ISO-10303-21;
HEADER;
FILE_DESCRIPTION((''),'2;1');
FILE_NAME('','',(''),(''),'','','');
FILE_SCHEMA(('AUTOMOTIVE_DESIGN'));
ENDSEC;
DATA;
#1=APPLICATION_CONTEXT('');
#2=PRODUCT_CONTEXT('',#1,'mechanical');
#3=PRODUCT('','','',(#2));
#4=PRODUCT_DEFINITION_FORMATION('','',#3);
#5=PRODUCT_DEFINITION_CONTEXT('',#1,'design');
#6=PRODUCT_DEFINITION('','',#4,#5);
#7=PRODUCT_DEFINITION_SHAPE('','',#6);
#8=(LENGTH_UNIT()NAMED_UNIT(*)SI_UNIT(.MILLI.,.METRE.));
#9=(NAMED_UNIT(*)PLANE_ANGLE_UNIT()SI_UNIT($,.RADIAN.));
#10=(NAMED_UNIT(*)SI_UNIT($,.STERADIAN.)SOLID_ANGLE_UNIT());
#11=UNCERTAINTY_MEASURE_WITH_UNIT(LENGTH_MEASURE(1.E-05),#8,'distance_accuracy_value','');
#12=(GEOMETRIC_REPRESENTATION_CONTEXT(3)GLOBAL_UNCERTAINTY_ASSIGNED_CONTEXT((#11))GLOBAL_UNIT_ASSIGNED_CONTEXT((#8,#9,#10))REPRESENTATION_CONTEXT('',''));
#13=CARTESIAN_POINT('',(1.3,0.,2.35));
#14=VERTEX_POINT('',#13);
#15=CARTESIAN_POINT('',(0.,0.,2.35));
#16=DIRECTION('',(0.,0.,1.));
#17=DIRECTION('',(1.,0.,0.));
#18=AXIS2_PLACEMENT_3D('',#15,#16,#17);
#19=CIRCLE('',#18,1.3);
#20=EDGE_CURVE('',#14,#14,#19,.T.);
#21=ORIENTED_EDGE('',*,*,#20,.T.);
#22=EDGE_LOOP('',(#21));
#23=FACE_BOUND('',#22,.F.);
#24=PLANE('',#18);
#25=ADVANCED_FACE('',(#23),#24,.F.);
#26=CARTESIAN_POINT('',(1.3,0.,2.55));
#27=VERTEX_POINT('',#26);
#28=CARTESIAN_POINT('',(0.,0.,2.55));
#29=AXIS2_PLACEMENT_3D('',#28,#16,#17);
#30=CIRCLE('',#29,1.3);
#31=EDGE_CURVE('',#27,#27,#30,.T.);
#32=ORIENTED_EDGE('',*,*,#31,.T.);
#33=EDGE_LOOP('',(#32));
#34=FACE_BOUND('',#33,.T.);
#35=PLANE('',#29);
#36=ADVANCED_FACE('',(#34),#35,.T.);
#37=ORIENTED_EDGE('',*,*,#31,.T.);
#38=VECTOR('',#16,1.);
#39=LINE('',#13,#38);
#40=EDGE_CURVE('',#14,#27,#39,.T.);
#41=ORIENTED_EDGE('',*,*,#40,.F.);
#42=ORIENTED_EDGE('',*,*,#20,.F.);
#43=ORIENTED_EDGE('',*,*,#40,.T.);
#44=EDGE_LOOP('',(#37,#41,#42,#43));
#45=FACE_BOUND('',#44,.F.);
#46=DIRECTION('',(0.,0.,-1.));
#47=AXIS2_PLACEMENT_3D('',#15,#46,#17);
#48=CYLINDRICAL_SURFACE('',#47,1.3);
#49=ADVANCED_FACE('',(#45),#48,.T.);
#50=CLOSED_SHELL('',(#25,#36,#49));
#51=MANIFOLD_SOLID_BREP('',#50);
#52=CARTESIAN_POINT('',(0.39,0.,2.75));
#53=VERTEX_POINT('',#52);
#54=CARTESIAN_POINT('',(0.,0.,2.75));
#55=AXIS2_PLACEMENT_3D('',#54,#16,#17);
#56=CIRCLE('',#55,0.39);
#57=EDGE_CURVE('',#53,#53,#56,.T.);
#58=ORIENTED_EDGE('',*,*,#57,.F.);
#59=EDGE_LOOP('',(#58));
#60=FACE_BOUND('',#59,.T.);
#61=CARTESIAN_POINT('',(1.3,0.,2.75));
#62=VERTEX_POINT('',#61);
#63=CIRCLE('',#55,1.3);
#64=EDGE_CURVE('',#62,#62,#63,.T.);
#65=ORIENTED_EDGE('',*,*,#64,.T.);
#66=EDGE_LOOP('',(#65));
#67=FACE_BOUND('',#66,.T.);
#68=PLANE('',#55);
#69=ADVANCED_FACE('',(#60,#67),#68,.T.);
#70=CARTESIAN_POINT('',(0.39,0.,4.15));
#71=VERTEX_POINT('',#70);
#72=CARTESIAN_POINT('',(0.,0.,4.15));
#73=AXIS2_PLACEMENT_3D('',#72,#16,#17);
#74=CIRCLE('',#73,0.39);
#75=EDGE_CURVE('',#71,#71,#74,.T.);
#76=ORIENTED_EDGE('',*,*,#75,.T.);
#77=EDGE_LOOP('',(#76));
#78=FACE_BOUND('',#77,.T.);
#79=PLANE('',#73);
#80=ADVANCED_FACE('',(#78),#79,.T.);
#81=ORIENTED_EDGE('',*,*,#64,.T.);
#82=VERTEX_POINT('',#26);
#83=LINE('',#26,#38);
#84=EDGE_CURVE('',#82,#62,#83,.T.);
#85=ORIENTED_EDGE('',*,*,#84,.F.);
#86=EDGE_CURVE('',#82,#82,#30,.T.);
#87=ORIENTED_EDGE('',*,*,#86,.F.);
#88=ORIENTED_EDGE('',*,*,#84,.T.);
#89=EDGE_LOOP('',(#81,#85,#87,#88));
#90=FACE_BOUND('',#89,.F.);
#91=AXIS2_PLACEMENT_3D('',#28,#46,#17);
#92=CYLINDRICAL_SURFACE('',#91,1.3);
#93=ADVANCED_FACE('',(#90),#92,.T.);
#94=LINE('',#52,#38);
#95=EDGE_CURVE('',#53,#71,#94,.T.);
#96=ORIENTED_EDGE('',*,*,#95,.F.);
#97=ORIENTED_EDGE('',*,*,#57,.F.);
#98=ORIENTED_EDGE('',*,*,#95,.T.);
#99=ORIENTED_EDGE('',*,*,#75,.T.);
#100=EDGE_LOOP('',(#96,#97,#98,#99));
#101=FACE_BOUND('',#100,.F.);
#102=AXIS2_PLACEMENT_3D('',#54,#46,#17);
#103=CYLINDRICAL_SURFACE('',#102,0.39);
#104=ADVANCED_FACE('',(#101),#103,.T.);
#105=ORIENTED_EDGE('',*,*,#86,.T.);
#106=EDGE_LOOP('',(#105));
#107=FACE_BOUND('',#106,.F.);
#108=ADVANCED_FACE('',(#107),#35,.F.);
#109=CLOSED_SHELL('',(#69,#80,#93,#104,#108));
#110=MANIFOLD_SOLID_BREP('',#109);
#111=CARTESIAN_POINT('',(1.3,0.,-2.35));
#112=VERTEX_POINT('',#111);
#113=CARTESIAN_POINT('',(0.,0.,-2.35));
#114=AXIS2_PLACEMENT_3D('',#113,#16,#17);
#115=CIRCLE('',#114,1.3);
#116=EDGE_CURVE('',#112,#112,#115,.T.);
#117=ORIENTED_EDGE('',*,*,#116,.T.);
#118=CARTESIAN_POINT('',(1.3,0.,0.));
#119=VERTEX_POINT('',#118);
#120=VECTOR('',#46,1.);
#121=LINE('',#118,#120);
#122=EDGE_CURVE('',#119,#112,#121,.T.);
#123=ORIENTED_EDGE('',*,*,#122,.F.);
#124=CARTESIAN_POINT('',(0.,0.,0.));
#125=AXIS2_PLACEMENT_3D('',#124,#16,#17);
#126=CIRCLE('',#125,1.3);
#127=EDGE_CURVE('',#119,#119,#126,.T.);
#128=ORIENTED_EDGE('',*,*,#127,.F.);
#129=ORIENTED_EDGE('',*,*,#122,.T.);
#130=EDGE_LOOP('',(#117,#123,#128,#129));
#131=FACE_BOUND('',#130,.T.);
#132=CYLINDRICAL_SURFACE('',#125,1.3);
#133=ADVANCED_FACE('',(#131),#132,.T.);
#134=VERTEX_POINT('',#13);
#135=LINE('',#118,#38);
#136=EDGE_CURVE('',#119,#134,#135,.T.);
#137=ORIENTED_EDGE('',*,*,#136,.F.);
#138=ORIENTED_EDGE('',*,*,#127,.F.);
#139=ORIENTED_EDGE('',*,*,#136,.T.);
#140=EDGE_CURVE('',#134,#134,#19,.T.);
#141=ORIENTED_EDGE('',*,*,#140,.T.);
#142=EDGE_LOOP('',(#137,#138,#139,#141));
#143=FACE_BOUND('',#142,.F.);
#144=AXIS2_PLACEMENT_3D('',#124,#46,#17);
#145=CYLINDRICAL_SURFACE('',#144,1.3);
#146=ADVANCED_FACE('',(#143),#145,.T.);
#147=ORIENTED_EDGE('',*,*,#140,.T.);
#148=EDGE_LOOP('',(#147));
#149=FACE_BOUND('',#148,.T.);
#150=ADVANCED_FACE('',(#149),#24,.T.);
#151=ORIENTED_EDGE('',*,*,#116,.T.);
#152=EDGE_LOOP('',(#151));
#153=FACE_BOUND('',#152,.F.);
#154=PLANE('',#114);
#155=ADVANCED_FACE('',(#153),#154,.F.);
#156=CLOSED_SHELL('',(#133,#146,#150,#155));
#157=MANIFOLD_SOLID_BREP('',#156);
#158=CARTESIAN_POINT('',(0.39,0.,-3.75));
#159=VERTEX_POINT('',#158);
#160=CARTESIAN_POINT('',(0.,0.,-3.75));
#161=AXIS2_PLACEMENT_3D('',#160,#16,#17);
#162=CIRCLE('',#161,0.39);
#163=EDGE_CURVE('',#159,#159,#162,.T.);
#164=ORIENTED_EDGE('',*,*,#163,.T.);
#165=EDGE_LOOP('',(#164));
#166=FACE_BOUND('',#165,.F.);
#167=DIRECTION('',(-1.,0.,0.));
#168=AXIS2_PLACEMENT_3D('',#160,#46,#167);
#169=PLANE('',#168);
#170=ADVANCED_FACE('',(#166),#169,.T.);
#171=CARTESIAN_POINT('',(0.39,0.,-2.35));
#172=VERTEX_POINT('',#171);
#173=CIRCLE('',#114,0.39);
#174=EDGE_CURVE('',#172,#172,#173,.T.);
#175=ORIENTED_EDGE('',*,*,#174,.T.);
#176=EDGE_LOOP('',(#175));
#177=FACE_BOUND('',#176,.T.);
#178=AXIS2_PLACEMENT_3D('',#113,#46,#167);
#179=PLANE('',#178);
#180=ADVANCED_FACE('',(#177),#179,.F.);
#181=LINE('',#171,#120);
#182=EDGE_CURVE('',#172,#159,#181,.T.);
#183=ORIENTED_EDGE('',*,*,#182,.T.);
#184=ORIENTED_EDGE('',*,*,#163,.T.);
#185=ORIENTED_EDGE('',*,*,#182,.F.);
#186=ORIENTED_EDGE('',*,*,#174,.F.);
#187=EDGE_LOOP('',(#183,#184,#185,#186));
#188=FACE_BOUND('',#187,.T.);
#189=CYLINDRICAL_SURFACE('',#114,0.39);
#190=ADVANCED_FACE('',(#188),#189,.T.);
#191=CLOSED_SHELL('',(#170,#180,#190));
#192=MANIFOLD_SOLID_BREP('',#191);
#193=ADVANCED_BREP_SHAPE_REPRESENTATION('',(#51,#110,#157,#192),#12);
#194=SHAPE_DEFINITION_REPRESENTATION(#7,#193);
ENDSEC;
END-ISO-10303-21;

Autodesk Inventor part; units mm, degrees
ref_plane "YZ Plane" through (0, 0, 0) normal (1, 0, 0) x (0, 1, 0)
ref_plane "XZ Plane" through (0, 0, 0) normal (0, 1, 0) x (-1, 0, 0)
sketch "Skizze1" plane through (0, 0, 0) normal (0, 0, 1) x (1, 0, 0)
  circle A0 centre (0, 0) radius 1.3
  dimension "d0" = 2.6
extrude "Extrusion1" add sketch "Skizze1" along normal mid plane 4.7
sketch "Skizze4" plane through (0, 0, 2.35) normal (0, 0, 1) x (1, 0, 0)
  circle A0 centre (0, 0) radius 1.3
extrude "Extrusion4" add sketch "Skizze4" along normal blind 0.2 separate body
sketch "Skizze5" plane through (0, 0, 2.55) normal (0, 0, 1) x (1, 0, 0)
  circle A0 centre (0, 0) radius 1.3
extrude "Extrusion5" add sketch "Skizze5" along normal blind 0.2 separate body
sketch "Skizze6" plane through (0, 0, 2.75) normal (0, 0, 1) x (1, 0, 0)
  circle A0 centre (0, 0) radius 0.39
  dimension "d13" = 0.78
extrude "Extrusion6" add sketch "Skizze6" along normal blind 1.4 bodies 3
ref_plane "Arbeitsebene1" through (0, 0, 0.2) normal (0, 0, 1) x (1, 0, 0)
mirror "Spiegeln1" about plane through (0, 0, 0.2) normal (0, 0, 1) of "Extrusion6" bodies 3
ref_plane "Arbeitsebene2" through (0, 0, 0.2) normal (0, 0, 1) x (1, 0, 0)
properties part number "1N4007"
